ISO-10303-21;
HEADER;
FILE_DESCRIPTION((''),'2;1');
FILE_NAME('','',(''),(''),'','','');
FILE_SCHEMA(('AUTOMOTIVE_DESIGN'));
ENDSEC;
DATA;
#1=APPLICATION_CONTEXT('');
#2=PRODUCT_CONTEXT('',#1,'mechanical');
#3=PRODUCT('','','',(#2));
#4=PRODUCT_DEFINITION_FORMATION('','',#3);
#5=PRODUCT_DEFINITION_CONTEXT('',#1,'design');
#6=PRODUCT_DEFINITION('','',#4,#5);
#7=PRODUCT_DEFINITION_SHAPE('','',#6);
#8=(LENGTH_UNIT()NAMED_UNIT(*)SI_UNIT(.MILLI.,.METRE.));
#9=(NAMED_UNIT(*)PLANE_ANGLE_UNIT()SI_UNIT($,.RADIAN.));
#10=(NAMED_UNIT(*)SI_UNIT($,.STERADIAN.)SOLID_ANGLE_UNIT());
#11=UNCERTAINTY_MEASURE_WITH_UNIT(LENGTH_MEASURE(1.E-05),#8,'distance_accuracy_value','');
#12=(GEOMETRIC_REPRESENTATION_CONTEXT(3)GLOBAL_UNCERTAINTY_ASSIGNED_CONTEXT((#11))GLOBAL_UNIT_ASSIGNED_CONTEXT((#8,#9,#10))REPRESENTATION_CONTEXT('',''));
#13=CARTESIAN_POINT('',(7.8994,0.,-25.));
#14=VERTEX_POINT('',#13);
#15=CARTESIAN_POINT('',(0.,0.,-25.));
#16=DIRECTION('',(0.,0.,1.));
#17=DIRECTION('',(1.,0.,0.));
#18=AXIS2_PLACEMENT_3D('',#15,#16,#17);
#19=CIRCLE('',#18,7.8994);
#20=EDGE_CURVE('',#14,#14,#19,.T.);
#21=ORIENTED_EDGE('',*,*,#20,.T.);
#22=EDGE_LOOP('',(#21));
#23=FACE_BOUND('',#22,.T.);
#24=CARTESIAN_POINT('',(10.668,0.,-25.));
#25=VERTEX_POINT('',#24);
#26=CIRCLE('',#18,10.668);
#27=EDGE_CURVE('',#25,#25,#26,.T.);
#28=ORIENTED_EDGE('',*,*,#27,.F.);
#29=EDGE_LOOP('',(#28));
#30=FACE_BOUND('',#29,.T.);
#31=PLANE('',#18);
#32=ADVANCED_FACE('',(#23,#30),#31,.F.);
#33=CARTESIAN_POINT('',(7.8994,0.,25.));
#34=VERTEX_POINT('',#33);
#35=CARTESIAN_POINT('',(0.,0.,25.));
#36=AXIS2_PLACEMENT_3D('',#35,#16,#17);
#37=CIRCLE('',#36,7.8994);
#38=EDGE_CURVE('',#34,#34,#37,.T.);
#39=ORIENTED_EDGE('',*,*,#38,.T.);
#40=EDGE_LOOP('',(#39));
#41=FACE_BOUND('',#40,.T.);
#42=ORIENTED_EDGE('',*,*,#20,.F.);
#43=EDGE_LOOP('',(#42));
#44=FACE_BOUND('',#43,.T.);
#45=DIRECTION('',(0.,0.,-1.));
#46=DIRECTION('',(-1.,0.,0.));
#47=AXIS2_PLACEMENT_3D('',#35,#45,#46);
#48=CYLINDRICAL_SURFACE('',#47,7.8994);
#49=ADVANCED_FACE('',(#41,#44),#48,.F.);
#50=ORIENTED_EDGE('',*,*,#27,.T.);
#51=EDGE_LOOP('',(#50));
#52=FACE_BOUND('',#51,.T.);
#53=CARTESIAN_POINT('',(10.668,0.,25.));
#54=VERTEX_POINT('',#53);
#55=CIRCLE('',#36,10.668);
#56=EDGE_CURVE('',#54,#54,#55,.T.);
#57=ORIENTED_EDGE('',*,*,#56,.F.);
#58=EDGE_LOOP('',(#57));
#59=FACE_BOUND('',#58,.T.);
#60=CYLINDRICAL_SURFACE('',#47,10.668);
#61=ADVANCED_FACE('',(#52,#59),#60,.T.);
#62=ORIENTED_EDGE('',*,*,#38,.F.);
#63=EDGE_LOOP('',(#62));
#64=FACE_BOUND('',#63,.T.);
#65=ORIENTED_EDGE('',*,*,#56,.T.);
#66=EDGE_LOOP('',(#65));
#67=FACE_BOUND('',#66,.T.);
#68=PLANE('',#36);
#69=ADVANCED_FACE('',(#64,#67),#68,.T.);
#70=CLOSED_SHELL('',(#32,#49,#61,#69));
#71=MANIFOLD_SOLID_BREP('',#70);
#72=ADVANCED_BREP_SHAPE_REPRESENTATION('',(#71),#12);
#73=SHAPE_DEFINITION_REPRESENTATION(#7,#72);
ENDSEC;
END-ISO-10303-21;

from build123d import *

# Parameters (mm, degrees)
SKETCH1_R           = 10.668
SKETCH1_R_2         = 7.8994
EXTRUDE_THIN1_DEPTH = 25


with BuildPart() as part:
    # Sketch1 → Extrude-Thin1 (new body, symmetric)
    with BuildSketch(Plane.XY):
        Circle(SKETCH1_R)
        Circle(SKETCH1_R_2, mode=Mode.SUBTRACT)
    extrude(amount=EXTRUDE_THIN1_DEPTH, both=True)


solid = part.part
